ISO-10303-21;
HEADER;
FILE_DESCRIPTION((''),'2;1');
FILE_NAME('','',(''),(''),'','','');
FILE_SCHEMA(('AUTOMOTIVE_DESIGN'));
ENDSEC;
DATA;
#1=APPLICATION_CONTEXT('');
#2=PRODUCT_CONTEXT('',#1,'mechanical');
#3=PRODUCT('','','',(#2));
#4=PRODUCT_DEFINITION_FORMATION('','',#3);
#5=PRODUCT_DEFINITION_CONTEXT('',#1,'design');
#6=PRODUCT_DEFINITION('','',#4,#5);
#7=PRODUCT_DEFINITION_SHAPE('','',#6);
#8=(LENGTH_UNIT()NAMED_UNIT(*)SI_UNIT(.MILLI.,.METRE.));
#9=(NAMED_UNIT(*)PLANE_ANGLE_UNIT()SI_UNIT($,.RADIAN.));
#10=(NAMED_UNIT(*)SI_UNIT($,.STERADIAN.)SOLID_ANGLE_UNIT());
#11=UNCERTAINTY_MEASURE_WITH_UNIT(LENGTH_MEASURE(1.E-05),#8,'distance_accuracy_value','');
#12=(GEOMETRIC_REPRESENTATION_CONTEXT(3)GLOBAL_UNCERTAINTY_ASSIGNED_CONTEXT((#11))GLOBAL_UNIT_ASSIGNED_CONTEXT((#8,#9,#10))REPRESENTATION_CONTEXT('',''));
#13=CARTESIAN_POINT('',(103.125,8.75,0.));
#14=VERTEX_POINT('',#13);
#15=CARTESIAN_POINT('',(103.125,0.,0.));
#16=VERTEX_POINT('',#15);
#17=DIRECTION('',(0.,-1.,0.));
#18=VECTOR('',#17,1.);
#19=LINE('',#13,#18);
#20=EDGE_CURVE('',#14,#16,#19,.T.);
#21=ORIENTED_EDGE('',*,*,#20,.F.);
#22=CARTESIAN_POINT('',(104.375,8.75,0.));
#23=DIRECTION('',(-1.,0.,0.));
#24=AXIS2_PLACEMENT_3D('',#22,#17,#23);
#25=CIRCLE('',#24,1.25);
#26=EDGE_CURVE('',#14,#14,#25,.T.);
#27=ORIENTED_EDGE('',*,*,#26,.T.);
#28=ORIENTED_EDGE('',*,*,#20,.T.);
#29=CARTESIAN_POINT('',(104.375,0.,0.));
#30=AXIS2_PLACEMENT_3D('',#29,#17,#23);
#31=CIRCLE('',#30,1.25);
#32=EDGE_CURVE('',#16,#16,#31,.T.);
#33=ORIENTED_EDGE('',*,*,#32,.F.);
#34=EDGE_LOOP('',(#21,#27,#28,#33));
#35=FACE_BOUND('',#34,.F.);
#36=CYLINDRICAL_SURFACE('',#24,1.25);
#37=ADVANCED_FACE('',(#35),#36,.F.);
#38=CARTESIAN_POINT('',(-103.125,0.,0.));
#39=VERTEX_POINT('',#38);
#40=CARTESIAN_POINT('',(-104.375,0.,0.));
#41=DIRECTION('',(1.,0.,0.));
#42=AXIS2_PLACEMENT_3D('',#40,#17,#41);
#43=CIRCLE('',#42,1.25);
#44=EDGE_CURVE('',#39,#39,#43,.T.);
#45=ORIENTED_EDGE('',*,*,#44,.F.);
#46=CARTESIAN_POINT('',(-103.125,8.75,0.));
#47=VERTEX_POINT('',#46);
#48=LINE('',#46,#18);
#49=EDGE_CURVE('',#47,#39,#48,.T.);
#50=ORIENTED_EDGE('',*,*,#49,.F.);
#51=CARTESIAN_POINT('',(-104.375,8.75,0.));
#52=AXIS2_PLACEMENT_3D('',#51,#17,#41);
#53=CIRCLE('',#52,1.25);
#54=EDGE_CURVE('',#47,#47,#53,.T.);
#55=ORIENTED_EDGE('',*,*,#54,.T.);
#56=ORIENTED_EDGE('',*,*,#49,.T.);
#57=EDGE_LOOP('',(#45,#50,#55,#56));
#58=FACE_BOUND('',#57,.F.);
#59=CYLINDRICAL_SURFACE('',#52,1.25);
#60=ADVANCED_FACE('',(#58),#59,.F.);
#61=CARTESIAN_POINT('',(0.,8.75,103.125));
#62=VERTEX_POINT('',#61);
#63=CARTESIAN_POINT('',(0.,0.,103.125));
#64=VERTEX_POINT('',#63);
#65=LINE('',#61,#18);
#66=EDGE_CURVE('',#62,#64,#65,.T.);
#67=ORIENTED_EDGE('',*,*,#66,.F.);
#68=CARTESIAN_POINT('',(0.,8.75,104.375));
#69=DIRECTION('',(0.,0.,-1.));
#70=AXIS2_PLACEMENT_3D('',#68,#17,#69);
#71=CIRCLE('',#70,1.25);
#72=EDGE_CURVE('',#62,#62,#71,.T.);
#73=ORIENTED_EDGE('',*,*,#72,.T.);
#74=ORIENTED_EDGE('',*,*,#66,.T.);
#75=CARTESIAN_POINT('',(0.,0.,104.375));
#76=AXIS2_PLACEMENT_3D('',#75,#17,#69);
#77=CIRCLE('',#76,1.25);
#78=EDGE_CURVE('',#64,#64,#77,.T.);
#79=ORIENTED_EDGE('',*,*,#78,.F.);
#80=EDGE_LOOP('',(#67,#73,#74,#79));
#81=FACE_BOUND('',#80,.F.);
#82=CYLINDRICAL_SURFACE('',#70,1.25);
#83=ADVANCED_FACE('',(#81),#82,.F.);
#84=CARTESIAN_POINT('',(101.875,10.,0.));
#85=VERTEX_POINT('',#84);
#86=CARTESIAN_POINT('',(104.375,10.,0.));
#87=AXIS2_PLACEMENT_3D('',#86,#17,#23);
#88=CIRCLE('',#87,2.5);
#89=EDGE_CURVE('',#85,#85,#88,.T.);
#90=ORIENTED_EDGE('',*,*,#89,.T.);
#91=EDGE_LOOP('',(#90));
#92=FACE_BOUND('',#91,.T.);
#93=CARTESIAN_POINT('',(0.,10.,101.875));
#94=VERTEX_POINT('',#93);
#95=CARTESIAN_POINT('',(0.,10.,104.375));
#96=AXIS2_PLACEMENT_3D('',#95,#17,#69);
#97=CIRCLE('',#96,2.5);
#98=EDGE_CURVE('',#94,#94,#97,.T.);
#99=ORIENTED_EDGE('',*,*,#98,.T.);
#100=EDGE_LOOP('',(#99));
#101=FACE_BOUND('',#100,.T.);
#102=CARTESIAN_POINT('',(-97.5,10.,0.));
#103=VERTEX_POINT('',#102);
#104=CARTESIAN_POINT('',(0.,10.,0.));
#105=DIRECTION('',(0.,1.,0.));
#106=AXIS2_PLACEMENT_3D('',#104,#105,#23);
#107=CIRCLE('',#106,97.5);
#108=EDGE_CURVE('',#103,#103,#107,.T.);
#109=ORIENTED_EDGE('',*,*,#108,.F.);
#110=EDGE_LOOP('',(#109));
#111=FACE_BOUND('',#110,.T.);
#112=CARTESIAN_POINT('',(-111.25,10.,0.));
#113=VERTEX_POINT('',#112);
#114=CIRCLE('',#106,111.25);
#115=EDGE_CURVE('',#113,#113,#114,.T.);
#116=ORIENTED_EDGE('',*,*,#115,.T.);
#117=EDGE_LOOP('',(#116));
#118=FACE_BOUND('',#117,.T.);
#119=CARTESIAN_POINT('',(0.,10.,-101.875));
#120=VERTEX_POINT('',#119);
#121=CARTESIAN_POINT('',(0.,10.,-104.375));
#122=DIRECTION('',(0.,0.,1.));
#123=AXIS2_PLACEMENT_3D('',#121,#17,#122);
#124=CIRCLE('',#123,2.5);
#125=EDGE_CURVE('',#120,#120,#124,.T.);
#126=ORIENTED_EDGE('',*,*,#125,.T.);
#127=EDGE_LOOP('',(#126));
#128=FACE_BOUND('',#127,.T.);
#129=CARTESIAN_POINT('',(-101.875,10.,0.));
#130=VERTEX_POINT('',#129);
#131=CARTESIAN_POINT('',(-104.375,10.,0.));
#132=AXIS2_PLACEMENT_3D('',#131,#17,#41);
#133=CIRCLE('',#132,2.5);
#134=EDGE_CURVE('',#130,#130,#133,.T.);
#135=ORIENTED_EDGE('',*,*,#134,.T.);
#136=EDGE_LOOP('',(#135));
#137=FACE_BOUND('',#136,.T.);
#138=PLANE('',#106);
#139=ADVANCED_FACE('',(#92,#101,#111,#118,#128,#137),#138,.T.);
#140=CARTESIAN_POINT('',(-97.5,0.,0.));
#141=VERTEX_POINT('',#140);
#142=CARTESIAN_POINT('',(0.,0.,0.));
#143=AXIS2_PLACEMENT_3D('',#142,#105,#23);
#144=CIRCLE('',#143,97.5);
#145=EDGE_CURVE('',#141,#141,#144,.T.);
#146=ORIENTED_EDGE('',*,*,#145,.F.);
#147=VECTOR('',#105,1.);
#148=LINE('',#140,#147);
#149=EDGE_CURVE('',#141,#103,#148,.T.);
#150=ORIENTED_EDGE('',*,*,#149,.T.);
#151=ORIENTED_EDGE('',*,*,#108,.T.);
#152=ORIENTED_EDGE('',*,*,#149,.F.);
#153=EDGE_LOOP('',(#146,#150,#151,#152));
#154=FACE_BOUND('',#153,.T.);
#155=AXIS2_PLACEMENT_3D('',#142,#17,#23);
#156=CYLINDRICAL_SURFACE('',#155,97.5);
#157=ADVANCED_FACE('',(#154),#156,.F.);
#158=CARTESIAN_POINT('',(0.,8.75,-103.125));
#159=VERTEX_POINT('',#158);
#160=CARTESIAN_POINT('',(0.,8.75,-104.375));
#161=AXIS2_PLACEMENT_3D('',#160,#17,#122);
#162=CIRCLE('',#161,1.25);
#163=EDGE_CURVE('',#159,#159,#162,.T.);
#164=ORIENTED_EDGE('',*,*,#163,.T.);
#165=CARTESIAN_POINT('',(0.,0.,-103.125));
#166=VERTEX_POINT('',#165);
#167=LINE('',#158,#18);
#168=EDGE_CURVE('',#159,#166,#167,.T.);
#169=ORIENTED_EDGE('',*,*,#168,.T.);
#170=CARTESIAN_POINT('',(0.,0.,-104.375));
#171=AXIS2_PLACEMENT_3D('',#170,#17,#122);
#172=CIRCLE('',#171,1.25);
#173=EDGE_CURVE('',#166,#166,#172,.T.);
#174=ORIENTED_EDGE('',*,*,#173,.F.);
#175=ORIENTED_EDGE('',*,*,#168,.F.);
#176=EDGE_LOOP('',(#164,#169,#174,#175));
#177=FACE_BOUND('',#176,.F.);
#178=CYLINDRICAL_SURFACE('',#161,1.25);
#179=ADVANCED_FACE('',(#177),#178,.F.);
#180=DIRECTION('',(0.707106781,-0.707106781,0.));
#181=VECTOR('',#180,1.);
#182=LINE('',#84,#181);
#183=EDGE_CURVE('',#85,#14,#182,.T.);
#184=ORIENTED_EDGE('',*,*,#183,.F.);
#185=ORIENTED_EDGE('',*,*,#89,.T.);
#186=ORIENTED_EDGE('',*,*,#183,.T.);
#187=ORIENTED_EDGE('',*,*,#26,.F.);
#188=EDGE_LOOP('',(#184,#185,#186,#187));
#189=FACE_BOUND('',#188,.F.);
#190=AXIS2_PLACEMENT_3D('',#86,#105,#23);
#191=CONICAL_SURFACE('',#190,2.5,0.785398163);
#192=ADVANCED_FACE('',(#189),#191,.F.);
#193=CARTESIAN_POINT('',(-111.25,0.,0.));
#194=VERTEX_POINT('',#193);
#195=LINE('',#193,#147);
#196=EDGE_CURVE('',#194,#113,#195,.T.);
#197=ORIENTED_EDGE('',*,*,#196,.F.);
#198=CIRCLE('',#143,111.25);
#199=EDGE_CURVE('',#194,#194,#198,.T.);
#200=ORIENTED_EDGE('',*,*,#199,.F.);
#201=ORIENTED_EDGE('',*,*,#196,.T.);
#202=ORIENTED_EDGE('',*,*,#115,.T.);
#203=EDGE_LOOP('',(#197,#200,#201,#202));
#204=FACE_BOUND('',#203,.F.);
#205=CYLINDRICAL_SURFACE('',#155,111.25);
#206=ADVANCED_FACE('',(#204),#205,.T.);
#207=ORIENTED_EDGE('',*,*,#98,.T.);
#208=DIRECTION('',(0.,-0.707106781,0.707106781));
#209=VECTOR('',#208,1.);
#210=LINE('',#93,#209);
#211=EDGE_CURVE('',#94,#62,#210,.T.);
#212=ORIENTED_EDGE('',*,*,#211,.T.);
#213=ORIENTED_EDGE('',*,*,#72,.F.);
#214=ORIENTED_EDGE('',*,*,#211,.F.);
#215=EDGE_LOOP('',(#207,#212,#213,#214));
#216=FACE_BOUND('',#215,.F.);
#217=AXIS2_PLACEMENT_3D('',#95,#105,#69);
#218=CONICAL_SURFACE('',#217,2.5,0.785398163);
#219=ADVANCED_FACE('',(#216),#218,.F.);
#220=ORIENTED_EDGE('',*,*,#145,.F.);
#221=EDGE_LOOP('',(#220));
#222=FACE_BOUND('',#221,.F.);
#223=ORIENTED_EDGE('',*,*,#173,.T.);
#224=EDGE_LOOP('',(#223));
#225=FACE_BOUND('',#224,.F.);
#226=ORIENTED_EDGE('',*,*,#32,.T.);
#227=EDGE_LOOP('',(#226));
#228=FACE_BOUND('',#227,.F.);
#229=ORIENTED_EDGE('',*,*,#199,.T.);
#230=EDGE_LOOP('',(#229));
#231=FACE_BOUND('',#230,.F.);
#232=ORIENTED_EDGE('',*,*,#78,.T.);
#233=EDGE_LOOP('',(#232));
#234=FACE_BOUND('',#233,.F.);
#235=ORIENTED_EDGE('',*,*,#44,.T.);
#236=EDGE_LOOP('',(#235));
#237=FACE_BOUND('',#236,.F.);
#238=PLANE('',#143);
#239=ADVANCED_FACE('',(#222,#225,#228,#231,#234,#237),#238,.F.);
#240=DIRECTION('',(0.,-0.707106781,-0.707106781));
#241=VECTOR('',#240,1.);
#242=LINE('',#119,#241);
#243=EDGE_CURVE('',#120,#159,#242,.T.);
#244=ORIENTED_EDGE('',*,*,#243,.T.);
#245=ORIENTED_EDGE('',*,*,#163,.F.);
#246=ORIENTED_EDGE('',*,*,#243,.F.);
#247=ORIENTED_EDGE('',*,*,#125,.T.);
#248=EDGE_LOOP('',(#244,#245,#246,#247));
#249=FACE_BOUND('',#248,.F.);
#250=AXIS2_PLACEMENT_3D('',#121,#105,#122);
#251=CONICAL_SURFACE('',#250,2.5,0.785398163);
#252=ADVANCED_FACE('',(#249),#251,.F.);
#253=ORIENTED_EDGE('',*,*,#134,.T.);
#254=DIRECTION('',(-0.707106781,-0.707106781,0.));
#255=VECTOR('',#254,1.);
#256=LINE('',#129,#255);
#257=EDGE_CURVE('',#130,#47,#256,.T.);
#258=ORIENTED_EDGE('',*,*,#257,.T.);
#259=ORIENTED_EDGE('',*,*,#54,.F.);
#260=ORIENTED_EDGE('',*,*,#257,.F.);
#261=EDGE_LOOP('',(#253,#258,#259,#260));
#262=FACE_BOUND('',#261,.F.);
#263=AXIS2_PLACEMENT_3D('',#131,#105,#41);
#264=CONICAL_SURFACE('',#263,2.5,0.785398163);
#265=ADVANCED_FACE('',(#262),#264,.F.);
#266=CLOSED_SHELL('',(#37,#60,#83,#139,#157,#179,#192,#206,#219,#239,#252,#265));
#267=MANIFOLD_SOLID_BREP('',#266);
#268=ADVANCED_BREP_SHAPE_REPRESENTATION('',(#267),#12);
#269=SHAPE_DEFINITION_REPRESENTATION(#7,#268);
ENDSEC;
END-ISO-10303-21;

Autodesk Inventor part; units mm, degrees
ref_plane "YZ Plane" through (0, 0, 0) normal (1, 0, 0) x (0, 1, 0)
ref_plane "XZ Plane" through (0, 0, 0) normal (0, 1, 0) x (-1, 0, 0)
ref_plane "XY Plane" through (0, 0, 0) normal (0, 0, 1) x (1, 0, 0)
sketch "Sketch1" plane through (0, 0, 0) normal (0, 1, 0) x (-1, 0, 0)
  circle A0 centre (0, 0) radius 97.5
  circle A1 centre (0, 0) radius 111.25
  dimension "d0" = 195
  dimension "d1" = 222.5
extrude "Extrusion1" add sketch "Sketch1" along normal blind 10
sketch "Sketch2" plane through (0, 10, 0) normal (0, 1, 0) x (1, 0, 0)
  line L0 (0, 0) -> (0, 104.375)
  dimension "d4" = 104.375
hole "Hole1" at (0, 10, -104.375) direction (0, -1, 0) diameter 2.5 end through all countersink diameter 5 countersink angle 90
pattern_circular "Circular Pattern1" count 4 over 360 about axis through (0, -10, 0) along (0, 1, 0) of "Hole1"
sketch "Sketch3" plane through (0, 10, 0) normal (0, 1, 0) x (1, 0, 0)
  circle A0 centre (-104.375, 0) radius 1.25 projected
  line L0 (-104.375, 0) -> (0, 0)
  circle A1 centre (0, 104.375) radius 1.25 projected
  line L1 (0, 0) -> (0, 104.375)
  line L2 (0, 104.375) -> (-104.375, 0)
properties part number "InnerBearingTable"
